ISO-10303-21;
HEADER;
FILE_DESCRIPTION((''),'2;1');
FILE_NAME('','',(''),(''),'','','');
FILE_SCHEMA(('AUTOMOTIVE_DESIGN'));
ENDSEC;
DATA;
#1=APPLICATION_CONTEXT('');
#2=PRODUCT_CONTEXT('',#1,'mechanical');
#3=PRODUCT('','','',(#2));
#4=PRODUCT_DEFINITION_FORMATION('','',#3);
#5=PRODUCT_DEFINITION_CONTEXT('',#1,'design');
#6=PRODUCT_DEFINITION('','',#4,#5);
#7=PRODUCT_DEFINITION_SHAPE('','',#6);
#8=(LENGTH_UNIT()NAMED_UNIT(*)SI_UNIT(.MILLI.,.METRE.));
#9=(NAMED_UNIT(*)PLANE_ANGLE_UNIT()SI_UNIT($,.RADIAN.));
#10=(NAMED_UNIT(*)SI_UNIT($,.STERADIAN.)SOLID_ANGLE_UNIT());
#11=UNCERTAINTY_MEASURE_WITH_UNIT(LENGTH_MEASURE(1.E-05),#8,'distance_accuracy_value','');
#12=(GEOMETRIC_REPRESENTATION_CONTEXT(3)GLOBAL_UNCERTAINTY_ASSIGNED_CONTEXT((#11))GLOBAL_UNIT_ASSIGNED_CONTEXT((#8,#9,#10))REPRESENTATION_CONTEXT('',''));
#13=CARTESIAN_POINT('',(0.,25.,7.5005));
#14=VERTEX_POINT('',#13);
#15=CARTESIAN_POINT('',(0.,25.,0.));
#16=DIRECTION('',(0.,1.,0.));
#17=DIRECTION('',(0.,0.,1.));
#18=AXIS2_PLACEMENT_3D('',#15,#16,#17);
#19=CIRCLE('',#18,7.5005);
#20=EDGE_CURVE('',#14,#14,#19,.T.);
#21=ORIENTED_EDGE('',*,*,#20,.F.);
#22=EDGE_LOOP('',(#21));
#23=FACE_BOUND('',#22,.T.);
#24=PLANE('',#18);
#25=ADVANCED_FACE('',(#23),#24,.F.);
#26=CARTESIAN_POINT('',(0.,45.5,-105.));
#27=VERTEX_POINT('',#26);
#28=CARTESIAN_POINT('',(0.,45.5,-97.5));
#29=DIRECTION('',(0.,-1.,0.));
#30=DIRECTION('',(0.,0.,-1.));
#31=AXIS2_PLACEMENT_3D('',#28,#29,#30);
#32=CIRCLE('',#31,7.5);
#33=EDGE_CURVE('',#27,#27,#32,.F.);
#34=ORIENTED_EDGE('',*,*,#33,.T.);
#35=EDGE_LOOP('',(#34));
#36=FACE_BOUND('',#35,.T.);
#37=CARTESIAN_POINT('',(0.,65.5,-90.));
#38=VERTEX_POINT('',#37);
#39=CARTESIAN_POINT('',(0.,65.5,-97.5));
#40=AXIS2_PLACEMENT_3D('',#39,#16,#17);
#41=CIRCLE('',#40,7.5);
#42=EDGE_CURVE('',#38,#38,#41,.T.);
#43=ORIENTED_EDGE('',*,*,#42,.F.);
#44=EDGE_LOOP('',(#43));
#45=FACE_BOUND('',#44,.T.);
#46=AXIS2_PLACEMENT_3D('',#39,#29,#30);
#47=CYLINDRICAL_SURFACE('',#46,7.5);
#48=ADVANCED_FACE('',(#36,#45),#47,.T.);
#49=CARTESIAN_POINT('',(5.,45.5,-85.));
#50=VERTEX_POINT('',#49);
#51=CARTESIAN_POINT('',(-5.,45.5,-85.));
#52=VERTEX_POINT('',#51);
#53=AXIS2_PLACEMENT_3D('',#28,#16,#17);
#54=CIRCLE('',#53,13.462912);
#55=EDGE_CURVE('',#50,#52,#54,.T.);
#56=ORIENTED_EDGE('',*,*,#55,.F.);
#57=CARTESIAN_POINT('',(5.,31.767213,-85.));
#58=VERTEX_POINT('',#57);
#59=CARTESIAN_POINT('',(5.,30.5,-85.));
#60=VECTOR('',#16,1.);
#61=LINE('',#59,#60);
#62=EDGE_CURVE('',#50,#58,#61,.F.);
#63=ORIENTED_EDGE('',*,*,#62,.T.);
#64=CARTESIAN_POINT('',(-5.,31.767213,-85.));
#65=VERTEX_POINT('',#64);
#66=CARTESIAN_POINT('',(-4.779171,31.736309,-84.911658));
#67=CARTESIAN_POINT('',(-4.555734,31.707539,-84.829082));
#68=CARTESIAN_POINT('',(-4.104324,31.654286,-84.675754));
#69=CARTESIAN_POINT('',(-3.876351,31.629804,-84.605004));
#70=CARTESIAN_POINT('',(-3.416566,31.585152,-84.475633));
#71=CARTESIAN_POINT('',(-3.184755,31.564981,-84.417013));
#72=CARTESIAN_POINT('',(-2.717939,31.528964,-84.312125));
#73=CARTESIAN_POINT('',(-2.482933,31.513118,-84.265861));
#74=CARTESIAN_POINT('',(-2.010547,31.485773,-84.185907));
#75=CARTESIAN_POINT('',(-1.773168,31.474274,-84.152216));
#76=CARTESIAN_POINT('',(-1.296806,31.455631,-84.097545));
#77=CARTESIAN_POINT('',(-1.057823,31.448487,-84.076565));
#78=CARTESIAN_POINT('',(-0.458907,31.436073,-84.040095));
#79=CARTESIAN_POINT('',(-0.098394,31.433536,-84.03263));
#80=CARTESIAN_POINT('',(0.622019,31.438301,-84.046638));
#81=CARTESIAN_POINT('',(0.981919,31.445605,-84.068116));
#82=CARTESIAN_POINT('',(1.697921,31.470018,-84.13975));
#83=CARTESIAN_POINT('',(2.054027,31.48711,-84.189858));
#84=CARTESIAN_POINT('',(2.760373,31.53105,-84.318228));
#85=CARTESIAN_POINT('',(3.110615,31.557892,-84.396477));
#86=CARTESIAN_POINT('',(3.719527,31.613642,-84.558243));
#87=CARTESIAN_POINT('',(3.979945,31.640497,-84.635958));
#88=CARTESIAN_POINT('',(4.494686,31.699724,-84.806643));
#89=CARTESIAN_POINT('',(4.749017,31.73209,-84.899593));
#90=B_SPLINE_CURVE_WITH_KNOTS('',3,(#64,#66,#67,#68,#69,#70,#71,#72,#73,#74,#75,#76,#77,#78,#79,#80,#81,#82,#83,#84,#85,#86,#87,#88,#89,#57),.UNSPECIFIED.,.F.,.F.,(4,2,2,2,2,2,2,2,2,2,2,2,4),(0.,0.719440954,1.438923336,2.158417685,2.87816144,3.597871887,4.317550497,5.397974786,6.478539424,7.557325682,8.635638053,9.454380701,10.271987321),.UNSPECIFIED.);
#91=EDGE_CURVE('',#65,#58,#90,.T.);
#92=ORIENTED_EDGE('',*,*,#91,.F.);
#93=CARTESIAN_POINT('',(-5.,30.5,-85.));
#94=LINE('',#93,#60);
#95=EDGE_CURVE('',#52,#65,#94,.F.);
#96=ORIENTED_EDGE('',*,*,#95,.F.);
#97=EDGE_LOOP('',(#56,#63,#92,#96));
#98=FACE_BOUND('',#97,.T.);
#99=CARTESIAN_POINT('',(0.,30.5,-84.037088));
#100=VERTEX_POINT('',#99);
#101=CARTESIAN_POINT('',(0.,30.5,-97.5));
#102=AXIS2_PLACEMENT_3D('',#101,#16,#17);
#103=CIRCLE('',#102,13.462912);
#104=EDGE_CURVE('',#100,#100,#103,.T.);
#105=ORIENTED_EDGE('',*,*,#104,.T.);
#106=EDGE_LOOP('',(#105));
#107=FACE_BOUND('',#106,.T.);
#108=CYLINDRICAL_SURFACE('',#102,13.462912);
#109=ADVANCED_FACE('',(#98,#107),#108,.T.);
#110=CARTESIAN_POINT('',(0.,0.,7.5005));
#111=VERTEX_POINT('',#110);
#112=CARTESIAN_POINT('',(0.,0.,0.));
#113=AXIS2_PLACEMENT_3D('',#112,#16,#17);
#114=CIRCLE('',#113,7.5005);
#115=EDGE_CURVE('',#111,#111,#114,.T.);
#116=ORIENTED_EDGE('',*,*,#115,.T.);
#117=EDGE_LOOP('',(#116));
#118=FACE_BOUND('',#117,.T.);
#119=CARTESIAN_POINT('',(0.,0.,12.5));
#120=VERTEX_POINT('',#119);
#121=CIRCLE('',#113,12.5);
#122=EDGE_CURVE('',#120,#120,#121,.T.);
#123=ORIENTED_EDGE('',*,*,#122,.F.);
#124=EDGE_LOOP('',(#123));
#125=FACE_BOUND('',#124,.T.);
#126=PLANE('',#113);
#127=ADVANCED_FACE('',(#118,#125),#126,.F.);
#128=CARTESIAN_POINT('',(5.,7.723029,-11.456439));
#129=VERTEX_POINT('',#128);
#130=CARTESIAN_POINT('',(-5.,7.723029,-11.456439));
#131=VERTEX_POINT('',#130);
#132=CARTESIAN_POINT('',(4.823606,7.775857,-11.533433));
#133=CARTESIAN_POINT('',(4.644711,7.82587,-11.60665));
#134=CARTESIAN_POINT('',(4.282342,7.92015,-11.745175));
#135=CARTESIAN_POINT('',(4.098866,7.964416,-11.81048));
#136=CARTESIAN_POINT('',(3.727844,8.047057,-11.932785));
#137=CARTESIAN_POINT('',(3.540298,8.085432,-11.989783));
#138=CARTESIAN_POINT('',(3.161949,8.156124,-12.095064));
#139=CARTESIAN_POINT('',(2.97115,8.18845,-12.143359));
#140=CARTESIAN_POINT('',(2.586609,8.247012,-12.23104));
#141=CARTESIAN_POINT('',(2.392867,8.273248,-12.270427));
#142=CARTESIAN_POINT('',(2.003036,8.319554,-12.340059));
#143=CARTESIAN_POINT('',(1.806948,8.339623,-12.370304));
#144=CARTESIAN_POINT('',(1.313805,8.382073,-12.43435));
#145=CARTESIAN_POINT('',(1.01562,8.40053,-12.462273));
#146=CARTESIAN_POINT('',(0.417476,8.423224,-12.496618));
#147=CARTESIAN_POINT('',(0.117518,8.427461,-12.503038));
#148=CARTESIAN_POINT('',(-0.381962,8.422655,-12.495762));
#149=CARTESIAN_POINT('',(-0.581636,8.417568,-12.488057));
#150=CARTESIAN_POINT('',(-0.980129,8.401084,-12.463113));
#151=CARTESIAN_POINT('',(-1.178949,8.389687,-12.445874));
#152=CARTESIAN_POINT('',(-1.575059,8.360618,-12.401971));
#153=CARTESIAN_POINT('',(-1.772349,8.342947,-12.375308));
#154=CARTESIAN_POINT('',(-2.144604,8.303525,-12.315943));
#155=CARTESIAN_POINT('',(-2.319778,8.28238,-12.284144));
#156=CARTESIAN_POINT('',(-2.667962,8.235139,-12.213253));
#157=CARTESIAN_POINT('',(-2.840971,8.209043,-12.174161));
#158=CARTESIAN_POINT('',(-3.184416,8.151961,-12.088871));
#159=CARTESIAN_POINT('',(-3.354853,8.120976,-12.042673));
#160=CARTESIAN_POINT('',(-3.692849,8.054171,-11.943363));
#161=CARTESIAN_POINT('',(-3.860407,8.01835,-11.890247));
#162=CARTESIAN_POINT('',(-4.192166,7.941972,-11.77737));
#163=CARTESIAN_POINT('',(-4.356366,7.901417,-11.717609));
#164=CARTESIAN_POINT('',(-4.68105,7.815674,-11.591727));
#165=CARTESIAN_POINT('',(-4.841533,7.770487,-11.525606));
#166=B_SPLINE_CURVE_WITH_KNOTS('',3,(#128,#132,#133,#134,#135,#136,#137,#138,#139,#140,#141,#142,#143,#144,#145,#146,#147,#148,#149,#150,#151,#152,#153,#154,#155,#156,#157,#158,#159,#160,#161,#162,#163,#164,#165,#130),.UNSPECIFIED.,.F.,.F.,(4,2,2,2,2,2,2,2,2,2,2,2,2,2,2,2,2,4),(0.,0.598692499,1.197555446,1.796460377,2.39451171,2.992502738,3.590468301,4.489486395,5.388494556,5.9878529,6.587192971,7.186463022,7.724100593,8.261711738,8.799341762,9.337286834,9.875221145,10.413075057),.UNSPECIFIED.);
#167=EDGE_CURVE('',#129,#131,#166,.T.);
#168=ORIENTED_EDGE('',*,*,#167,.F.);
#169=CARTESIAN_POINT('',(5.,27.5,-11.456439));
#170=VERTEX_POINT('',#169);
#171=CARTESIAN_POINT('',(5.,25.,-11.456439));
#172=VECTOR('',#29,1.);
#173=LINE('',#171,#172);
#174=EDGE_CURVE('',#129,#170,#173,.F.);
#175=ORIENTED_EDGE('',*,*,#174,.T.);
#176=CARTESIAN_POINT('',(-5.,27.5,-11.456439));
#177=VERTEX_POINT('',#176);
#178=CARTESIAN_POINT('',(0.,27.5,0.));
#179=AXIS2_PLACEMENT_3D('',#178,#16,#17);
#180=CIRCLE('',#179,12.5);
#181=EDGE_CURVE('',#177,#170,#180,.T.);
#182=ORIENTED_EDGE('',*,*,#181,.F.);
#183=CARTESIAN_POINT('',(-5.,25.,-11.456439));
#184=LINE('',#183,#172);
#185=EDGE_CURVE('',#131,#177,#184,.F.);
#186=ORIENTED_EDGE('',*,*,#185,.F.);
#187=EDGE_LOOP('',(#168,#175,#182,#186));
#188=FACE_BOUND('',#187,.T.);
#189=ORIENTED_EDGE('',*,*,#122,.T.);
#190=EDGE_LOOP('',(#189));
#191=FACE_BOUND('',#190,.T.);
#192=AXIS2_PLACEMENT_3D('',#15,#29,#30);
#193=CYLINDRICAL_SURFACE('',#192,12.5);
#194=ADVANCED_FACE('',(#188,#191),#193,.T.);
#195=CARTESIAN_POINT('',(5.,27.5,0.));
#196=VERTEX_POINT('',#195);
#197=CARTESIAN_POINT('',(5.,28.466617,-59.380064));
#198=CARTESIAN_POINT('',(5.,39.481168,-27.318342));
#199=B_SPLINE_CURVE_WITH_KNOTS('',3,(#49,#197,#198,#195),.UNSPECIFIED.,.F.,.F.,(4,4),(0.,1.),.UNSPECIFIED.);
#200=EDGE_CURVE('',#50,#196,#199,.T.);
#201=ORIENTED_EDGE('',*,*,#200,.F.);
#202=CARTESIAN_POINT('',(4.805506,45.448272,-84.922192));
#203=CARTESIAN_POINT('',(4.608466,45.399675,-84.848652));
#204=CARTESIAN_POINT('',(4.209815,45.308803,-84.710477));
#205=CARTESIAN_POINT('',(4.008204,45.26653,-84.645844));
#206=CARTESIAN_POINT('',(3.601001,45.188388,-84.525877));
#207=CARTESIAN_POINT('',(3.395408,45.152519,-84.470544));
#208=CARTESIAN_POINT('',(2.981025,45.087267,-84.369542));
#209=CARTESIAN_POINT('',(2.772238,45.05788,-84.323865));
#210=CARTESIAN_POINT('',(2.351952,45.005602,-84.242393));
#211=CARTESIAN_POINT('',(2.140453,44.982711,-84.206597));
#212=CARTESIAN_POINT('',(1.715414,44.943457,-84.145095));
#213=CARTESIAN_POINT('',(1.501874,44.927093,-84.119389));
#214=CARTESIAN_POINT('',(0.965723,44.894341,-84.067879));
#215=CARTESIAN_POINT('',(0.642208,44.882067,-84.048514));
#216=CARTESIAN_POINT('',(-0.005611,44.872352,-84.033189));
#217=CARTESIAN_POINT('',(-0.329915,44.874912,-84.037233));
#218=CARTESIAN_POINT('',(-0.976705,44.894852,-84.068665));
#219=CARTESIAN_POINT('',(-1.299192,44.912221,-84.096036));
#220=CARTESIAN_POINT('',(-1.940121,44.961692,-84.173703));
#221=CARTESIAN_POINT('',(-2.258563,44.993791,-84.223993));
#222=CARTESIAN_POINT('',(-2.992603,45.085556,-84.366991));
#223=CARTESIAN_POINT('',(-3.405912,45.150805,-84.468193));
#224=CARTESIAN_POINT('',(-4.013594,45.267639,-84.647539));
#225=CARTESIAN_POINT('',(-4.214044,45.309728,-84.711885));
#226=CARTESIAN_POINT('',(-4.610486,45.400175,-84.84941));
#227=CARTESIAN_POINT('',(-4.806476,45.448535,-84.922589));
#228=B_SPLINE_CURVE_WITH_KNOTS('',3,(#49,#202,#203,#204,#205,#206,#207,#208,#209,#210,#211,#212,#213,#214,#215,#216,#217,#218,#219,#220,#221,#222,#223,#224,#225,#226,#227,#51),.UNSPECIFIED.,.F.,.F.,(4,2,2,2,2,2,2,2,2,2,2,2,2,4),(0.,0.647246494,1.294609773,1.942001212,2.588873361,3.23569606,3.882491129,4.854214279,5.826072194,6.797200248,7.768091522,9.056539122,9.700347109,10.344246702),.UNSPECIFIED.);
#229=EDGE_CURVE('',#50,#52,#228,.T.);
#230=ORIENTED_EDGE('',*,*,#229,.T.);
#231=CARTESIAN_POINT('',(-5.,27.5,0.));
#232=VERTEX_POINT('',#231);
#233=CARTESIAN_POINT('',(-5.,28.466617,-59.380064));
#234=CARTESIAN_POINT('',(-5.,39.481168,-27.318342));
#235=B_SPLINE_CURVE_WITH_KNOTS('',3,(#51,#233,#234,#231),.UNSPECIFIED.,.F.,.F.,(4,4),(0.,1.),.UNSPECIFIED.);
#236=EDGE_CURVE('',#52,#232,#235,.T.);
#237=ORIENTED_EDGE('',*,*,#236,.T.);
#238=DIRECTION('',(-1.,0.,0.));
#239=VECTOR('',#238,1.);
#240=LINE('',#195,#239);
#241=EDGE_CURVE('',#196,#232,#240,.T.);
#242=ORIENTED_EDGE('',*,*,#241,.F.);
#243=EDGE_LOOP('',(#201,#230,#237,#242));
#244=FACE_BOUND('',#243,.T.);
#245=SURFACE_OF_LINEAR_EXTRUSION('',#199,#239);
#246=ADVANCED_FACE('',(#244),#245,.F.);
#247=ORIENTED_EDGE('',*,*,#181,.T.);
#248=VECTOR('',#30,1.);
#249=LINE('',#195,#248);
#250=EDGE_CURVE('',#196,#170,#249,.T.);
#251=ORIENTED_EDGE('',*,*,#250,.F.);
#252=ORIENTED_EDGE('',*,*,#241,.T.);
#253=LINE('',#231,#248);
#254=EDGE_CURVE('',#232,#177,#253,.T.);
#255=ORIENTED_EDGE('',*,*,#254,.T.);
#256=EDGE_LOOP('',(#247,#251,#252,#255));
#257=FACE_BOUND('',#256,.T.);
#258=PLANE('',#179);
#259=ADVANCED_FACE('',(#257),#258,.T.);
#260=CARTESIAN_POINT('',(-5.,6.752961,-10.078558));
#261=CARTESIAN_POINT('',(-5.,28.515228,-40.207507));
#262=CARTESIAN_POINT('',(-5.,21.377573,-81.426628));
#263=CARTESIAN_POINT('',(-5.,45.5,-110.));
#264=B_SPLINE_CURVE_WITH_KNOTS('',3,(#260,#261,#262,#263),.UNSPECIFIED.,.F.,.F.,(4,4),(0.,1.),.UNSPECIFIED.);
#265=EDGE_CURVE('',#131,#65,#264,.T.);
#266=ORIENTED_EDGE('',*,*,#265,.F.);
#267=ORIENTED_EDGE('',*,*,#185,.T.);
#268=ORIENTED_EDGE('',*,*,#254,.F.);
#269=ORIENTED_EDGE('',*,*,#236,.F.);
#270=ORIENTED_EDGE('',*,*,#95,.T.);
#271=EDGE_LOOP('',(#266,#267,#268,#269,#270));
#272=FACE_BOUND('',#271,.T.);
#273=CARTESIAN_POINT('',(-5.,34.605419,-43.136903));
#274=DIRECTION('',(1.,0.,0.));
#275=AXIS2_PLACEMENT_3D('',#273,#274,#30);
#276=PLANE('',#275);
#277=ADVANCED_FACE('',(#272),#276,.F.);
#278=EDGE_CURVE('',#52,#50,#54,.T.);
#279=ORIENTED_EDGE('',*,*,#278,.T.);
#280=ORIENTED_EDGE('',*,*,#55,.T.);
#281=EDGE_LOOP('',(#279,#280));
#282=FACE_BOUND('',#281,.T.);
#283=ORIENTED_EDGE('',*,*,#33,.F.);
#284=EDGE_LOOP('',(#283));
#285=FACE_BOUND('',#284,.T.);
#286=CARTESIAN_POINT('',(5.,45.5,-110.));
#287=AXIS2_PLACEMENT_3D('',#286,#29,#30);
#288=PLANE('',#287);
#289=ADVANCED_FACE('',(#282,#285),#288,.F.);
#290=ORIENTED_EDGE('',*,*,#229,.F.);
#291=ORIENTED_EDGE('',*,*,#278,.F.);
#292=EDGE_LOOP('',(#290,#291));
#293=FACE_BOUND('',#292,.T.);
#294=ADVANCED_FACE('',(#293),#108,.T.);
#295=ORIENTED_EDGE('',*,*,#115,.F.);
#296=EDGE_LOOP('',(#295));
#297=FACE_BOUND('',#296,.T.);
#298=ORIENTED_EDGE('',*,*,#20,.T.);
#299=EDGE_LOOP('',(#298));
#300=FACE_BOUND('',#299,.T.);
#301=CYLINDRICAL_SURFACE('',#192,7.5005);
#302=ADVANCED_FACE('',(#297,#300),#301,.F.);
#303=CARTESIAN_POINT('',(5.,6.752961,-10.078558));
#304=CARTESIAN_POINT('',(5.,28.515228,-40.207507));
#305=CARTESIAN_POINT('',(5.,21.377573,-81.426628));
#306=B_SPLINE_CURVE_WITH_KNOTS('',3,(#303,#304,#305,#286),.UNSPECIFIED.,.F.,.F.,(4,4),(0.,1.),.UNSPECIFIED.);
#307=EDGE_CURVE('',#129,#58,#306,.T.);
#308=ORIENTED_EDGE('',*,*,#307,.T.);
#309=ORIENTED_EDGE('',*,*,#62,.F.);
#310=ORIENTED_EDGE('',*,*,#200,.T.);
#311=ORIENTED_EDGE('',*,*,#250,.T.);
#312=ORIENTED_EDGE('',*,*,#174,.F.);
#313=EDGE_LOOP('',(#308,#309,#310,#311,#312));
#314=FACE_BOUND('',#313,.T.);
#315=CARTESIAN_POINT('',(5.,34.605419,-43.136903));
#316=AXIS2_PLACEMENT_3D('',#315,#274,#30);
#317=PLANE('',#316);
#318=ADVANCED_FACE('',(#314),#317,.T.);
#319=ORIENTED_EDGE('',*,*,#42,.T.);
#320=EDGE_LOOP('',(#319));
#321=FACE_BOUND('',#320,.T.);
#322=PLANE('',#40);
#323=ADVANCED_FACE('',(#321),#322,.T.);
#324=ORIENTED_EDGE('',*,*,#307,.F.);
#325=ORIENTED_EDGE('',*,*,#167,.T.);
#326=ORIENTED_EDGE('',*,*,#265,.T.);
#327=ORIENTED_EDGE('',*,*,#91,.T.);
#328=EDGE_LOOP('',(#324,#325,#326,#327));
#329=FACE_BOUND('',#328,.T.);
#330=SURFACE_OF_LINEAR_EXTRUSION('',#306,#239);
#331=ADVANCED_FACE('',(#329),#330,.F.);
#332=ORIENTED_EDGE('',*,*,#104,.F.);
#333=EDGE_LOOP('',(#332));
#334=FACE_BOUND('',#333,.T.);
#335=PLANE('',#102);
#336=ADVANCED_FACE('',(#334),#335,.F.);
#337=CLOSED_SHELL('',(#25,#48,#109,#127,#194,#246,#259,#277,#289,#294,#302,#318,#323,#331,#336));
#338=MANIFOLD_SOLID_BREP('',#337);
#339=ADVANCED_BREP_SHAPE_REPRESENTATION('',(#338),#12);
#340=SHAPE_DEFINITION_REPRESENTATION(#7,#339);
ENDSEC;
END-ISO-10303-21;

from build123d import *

# Parameters (mm, degrees)
SKETCH1_R           = 12.5
SKETCH1_R_2         = 7.5005
BOSS_EXTRUDE1_DEPTH = 25
BOSS_EXTRUDE2_START = 25
SKETCH1_3_R         = 12.5
SKETCH1_3_R_2       = 7.5005
BOSS_EXTRUDE2_DEPTH = 2.5
BOSS_EXTRUDE5_DEPTH = 5
SKETCH3_R           = 13.462912018
BOSS_EXTRUDE6_DEPTH = 15
SKETCH4_R           = 7.5
BOSS_EXTRUDE7_DEPTH = 20


with BuildPart() as part:
    # Sketch1 → Boss-Extrude1 (new body)
    with BuildSketch(Plane(origin=(0, 0, 0), x_dir=(1, 0, 0), z_dir=(0, 1, 0))):
        Circle(SKETCH1_R)
        Circle(SKETCH1_R_2, mode=Mode.SUBTRACT)
    extrude(amount=BOSS_EXTRUDE1_DEPTH)

    # Sketch1<3> → Boss-Extrude2 (add)
    with BuildSketch(Plane(origin=(0, 0, 0), x_dir=(1, 0, 0), z_dir=(0, 1, 0)).offset(BOSS_EXTRUDE2_START)):
        Circle(SKETCH1_3_R)
        Circle(SKETCH1_3_R_2, mode=Mode.SUBTRACT)
        Circle(SKETCH1_3_R_2)
    extrude(amount=BOSS_EXTRUDE2_DEPTH)

    # Sketch2 → Boss-Extrude5 (add, symmetric)
    with BuildSketch(Plane(origin=(0, 0, 0), x_dir=(0, 0, -1), z_dir=(1, 0, 0))):
        with BuildLine():
            Line((110, 45.5), (85, 45.5))
            add(Edge.make_bspline(
                [(0, 27.5), (27.318342435, 39.481167594), (59.380064257, 28.466617173), (85, 45.5)],
                knots=[0, 0, 0, 0, 1, 1, 1, 1], degree=3))
            Line((0, 27.5), (10.078558278, 27.5))
            Line((10.078558278, 27.5), (10.078558278, 6.752961332))
            add(Edge.make_bspline(
                [(10.078558278, 6.752961332), (40.207506706, 28.515228395), (81.426628227, 21.377572534), (110, 45.5)],
                knots=[0, 0, 0, 0, 1, 1, 1, 1], degree=3))
        make_face()
    extrude(amount=BOSS_EXTRUDE5_DEPTH, both=True)

    # Sketch3 → Boss-Extrude6 (add)
    with BuildSketch(Plane(origin=(0, 45.5, 0), x_dir=(1, 0, 0), z_dir=(0, 1, 0))):
        with Locations((0, 97.5)):
            Circle(SKETCH3_R)
    extrude(amount=-BOSS_EXTRUDE6_DEPTH)

    # Sketch4 → Boss-Extrude7 (add)
    with BuildSketch(Plane(origin=(0, 45.5, 0), x_dir=(1, 0, 0), z_dir=(0, 1, 0))):
        with Locations((0, 97.5)):
            Circle(SKETCH4_R)
    extrude(amount=BOSS_EXTRUDE7_DEPTH)


solid = part.part
